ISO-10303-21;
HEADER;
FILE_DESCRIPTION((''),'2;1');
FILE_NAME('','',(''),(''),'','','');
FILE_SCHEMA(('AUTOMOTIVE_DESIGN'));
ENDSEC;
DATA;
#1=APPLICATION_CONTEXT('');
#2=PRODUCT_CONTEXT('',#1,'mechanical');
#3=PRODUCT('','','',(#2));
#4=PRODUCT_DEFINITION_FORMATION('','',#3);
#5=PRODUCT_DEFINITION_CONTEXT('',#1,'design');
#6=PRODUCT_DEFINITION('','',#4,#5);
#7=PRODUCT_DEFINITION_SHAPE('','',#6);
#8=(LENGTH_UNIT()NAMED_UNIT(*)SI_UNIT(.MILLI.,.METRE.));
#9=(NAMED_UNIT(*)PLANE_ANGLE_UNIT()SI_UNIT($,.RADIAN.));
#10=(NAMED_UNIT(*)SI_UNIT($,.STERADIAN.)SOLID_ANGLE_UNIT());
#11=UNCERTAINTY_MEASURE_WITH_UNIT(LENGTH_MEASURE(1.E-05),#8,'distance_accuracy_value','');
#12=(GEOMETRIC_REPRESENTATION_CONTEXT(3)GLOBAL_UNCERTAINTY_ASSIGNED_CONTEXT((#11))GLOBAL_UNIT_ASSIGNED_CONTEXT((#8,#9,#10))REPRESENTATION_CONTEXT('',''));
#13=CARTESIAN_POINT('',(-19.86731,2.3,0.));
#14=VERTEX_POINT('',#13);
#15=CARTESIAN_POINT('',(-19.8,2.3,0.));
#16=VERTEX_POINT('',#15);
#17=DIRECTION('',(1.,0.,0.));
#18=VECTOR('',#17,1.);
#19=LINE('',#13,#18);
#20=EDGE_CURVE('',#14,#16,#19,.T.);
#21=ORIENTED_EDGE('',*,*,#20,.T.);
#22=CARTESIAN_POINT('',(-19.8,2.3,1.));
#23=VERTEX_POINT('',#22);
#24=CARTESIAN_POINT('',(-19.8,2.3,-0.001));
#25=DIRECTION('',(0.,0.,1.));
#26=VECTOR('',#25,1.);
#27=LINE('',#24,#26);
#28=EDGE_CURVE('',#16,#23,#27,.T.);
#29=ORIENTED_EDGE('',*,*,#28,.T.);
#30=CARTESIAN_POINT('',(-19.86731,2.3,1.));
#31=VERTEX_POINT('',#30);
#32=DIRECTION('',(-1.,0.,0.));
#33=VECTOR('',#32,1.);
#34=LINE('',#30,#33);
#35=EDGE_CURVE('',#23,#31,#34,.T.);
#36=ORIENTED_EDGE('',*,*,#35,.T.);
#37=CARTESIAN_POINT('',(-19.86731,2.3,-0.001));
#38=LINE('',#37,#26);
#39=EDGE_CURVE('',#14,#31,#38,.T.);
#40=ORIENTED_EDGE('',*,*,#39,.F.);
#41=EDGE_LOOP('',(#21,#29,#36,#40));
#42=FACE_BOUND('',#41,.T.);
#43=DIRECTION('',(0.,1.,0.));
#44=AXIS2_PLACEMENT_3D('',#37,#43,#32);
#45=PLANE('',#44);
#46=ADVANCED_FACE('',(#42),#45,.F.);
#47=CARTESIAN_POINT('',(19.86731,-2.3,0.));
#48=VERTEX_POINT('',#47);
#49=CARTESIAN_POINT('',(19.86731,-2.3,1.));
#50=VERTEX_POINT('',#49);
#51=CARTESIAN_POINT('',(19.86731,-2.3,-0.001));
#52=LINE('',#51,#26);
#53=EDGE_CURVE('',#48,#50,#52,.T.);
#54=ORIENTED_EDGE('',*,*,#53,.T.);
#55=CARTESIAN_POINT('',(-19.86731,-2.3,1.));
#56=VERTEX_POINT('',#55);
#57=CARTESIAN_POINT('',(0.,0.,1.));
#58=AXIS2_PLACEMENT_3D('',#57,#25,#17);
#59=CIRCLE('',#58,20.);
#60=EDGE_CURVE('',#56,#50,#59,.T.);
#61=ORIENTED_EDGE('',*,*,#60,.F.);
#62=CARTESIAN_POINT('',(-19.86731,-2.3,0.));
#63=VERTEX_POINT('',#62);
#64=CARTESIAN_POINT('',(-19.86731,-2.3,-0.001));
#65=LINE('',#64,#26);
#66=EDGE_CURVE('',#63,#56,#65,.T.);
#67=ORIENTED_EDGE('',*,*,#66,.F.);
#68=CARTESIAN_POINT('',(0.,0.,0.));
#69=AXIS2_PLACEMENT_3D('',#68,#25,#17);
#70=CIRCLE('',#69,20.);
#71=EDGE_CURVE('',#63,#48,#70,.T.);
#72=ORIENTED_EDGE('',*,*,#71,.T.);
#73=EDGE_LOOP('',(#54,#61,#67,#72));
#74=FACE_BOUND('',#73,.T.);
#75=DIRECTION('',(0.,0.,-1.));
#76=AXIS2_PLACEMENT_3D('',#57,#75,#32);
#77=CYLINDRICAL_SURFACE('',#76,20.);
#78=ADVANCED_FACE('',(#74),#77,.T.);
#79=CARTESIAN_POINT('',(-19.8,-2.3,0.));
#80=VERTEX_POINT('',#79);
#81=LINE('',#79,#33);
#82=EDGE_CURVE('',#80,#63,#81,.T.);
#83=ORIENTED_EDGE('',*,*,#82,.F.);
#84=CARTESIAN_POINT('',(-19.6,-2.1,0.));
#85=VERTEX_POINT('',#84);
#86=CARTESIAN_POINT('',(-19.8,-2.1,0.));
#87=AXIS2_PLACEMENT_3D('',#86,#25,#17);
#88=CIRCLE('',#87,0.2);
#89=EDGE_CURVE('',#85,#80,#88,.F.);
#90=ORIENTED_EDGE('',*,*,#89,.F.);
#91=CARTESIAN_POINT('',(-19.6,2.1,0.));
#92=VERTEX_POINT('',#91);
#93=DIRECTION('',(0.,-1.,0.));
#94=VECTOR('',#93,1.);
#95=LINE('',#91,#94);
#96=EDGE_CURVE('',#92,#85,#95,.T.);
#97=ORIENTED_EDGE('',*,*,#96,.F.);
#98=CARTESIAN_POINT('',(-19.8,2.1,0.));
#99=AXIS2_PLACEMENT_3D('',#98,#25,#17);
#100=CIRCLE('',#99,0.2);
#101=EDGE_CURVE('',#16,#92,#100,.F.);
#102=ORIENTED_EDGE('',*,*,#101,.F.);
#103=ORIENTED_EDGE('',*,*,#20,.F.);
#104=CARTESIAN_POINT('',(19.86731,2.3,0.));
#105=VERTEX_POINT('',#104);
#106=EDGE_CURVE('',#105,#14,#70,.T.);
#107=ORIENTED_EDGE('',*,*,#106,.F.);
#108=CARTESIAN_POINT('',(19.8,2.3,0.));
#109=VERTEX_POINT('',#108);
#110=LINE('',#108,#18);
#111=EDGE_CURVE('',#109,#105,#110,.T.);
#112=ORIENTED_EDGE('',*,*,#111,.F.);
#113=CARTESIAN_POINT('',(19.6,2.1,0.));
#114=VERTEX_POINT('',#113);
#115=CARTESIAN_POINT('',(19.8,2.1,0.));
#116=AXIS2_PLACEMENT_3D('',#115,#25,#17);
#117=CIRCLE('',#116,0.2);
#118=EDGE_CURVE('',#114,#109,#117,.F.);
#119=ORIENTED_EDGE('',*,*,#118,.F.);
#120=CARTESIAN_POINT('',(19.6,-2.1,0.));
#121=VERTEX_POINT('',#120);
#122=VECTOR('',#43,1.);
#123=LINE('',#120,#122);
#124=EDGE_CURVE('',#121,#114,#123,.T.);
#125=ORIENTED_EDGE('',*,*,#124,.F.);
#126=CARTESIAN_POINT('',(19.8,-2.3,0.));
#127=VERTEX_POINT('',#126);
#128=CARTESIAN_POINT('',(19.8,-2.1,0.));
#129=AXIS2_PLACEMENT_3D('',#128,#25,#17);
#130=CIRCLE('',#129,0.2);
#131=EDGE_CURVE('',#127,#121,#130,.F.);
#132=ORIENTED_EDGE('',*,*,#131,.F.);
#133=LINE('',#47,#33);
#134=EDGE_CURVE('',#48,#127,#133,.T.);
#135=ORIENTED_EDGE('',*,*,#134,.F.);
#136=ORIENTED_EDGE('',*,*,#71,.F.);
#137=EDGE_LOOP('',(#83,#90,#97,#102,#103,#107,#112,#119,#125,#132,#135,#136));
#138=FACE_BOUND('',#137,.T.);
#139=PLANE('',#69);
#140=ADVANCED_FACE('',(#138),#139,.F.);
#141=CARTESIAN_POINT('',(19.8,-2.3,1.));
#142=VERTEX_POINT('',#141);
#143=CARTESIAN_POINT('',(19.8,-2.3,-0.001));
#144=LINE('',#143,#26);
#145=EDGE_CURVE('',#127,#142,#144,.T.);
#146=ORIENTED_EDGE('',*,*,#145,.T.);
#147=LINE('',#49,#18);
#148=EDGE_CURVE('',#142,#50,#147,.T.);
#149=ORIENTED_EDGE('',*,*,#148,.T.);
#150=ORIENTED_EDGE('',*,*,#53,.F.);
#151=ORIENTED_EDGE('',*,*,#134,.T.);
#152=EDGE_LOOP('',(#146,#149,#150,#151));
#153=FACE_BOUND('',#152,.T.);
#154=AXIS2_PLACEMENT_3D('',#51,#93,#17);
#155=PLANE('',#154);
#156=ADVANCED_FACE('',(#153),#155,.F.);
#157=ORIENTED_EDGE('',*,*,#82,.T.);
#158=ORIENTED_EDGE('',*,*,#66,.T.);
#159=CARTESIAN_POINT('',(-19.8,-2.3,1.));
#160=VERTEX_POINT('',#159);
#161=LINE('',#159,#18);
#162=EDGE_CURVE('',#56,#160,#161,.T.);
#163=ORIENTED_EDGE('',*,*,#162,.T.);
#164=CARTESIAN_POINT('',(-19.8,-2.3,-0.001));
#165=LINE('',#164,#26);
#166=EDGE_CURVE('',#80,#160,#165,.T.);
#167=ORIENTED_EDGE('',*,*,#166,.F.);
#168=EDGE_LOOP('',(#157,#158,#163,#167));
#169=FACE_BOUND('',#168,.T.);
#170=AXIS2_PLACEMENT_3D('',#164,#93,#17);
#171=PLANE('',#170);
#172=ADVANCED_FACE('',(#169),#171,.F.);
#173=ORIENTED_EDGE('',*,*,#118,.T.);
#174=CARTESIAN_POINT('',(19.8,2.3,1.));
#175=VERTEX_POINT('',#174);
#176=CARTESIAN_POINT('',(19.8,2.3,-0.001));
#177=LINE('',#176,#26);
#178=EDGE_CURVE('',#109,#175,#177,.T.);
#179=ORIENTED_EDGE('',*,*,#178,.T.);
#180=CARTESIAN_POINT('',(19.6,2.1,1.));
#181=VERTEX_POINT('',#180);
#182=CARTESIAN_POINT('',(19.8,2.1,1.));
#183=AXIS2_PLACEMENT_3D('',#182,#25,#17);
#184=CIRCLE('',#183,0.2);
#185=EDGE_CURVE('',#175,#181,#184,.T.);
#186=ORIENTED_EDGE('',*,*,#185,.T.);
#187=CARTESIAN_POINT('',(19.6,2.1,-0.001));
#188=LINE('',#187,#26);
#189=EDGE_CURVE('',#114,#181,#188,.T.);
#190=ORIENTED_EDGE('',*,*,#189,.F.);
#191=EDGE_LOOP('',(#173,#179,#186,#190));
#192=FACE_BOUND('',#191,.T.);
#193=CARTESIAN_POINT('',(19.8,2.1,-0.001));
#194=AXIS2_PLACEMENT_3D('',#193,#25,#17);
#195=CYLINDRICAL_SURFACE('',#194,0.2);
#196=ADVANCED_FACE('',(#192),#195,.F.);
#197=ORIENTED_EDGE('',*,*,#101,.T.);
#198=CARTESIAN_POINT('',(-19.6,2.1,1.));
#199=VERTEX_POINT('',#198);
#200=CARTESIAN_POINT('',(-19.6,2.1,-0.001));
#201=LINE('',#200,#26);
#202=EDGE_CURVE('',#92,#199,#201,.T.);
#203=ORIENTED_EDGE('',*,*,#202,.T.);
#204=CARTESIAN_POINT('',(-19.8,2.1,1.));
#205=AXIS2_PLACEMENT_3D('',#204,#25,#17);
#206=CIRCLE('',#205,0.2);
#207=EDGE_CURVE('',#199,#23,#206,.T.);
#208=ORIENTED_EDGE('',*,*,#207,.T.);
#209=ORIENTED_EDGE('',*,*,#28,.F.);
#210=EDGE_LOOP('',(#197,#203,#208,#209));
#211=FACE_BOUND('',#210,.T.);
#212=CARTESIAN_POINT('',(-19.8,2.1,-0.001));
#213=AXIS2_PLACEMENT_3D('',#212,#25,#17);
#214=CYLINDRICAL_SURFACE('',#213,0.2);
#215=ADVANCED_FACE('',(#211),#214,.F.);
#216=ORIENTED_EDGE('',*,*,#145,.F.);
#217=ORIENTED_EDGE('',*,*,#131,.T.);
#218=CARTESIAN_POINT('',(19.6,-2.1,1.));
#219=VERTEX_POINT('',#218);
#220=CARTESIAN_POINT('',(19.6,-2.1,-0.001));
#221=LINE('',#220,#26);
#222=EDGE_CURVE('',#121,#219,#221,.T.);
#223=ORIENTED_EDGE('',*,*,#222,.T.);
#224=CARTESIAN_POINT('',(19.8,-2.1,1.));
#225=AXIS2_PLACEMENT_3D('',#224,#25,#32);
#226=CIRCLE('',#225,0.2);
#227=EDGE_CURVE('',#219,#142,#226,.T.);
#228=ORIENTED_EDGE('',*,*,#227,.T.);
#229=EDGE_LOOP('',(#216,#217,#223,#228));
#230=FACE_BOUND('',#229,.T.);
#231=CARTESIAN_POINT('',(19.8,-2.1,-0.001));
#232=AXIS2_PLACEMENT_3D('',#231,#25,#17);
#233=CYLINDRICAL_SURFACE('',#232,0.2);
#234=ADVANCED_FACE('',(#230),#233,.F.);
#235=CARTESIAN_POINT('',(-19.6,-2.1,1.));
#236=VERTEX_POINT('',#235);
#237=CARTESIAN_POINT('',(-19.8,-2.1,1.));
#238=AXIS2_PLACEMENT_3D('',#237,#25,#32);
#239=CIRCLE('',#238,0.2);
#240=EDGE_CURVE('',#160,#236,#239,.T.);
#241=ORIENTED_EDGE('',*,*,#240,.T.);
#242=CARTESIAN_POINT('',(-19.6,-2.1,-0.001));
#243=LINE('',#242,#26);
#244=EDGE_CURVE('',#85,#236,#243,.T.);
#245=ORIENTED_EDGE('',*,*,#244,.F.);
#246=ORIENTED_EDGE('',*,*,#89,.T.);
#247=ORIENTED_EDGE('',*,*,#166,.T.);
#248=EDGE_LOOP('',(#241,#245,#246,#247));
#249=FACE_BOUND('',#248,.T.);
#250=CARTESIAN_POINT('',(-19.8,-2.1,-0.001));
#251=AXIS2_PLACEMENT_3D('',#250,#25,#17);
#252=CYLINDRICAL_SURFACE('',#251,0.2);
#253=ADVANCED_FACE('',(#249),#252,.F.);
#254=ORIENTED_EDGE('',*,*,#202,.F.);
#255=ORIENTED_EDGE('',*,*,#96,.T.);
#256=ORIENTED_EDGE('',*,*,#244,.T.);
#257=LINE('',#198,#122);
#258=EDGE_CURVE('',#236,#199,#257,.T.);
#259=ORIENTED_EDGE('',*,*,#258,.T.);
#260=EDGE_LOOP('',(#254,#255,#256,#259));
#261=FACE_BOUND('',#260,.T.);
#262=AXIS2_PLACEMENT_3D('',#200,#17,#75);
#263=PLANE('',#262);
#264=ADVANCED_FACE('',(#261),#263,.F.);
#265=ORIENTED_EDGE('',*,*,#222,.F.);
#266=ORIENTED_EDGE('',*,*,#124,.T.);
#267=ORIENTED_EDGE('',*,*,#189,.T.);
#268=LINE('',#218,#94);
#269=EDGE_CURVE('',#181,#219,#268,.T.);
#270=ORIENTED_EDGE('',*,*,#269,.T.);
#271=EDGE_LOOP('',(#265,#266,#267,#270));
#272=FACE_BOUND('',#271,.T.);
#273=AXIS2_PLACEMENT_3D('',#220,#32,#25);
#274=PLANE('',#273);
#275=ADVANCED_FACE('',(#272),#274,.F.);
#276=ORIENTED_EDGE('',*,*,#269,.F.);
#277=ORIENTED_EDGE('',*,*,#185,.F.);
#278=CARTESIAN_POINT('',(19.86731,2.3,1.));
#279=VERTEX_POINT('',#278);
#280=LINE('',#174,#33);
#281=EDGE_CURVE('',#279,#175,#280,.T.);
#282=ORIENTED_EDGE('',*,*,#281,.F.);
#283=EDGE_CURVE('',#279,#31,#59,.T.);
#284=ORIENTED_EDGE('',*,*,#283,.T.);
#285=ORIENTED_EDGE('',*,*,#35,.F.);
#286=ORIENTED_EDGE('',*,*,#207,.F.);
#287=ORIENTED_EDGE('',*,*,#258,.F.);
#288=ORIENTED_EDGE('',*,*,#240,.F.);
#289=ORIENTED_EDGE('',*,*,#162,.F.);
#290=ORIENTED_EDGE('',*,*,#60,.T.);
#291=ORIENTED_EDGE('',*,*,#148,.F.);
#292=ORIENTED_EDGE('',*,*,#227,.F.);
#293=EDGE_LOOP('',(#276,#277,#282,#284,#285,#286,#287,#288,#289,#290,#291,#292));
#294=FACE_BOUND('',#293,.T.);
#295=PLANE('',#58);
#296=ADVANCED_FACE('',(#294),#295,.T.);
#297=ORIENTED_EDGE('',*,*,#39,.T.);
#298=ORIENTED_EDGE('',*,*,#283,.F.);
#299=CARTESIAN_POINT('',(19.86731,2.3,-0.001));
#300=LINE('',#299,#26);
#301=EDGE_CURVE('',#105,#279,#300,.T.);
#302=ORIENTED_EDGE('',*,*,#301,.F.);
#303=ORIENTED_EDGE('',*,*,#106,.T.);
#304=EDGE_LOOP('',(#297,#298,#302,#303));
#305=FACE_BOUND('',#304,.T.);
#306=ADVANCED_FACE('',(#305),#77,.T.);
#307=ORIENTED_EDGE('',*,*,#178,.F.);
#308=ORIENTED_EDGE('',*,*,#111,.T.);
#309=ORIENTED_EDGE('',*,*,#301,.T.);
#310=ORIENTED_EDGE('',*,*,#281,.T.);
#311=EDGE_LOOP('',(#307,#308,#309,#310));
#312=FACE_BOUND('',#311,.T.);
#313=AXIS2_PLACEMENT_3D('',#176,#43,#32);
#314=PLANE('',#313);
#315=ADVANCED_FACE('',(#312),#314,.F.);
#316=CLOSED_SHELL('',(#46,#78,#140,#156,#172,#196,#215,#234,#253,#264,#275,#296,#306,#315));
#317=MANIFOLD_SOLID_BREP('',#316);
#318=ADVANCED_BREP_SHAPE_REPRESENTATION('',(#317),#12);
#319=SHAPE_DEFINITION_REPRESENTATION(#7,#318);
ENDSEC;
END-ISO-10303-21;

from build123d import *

# Parameters (mm, degrees)
SKETCH1_R           = 20
BOSS_EXTRUDE1_DEPTH = 1
CUT_EXTRUDE1_REACH  = 30.302
CIRPATTERN1_COUNT   = 2


with BuildPart() as part:
    # Sketch1 → Boss-Extrude1 (new body)
    with BuildSketch(Plane.XY):
        Circle(SKETCH1_R)
    extrude(amount=BOSS_EXTRUDE1_DEPTH)

    # Sketch2 → Cut-Extrude1 (cut, up to next)
    with BuildSketch(Plane.XY.offset(1), mode=Mode.PRIVATE) as cut_extrude1_sk1:
        with BuildLine():
            Line((-19.867309833, 2.3), (-19.8, 2.3))
            ThreePointArc((-19.8, 2.3), (-19.658578644, 2.241421356), (-19.6, 2.1))
            Line((-19.6, 2.1), (-19.6, -2.1))
            ThreePointArc((-19.6, -2.1), (-19.658578644, -2.241421356), (-19.8, -2.3))
            Line((-19.8, -2.3), (-19.867309833, -2.3))
            ThreePointArc((-19.867309833, -2.3), (-20, 0), (-19.867309833, 2.3))
        make_face()
    cut_extrude1_tool1 = extrude(cut_extrude1_sk1.sketch, amount=-CUT_EXTRUDE1_REACH, mode=Mode.PRIVATE) & part.part
    cut_extrude1 = cut_extrude1_tool1.solids().sort_by_distance((-19.781547, 0, 1))[0]
    add(cut_extrude1, mode=Mode.SUBTRACT)

    # CirPattern1: Cut-Extrude1 ×2 about axis
    cirpattern1_axis = Axis((0, 0, 1), (0, 0, 1))
    for i in range(1, CIRPATTERN1_COUNT):
        add(cut_extrude1.rotate(cirpattern1_axis, i * 360 / CIRPATTERN1_COUNT), mode=Mode.SUBTRACT)


solid = part.part
